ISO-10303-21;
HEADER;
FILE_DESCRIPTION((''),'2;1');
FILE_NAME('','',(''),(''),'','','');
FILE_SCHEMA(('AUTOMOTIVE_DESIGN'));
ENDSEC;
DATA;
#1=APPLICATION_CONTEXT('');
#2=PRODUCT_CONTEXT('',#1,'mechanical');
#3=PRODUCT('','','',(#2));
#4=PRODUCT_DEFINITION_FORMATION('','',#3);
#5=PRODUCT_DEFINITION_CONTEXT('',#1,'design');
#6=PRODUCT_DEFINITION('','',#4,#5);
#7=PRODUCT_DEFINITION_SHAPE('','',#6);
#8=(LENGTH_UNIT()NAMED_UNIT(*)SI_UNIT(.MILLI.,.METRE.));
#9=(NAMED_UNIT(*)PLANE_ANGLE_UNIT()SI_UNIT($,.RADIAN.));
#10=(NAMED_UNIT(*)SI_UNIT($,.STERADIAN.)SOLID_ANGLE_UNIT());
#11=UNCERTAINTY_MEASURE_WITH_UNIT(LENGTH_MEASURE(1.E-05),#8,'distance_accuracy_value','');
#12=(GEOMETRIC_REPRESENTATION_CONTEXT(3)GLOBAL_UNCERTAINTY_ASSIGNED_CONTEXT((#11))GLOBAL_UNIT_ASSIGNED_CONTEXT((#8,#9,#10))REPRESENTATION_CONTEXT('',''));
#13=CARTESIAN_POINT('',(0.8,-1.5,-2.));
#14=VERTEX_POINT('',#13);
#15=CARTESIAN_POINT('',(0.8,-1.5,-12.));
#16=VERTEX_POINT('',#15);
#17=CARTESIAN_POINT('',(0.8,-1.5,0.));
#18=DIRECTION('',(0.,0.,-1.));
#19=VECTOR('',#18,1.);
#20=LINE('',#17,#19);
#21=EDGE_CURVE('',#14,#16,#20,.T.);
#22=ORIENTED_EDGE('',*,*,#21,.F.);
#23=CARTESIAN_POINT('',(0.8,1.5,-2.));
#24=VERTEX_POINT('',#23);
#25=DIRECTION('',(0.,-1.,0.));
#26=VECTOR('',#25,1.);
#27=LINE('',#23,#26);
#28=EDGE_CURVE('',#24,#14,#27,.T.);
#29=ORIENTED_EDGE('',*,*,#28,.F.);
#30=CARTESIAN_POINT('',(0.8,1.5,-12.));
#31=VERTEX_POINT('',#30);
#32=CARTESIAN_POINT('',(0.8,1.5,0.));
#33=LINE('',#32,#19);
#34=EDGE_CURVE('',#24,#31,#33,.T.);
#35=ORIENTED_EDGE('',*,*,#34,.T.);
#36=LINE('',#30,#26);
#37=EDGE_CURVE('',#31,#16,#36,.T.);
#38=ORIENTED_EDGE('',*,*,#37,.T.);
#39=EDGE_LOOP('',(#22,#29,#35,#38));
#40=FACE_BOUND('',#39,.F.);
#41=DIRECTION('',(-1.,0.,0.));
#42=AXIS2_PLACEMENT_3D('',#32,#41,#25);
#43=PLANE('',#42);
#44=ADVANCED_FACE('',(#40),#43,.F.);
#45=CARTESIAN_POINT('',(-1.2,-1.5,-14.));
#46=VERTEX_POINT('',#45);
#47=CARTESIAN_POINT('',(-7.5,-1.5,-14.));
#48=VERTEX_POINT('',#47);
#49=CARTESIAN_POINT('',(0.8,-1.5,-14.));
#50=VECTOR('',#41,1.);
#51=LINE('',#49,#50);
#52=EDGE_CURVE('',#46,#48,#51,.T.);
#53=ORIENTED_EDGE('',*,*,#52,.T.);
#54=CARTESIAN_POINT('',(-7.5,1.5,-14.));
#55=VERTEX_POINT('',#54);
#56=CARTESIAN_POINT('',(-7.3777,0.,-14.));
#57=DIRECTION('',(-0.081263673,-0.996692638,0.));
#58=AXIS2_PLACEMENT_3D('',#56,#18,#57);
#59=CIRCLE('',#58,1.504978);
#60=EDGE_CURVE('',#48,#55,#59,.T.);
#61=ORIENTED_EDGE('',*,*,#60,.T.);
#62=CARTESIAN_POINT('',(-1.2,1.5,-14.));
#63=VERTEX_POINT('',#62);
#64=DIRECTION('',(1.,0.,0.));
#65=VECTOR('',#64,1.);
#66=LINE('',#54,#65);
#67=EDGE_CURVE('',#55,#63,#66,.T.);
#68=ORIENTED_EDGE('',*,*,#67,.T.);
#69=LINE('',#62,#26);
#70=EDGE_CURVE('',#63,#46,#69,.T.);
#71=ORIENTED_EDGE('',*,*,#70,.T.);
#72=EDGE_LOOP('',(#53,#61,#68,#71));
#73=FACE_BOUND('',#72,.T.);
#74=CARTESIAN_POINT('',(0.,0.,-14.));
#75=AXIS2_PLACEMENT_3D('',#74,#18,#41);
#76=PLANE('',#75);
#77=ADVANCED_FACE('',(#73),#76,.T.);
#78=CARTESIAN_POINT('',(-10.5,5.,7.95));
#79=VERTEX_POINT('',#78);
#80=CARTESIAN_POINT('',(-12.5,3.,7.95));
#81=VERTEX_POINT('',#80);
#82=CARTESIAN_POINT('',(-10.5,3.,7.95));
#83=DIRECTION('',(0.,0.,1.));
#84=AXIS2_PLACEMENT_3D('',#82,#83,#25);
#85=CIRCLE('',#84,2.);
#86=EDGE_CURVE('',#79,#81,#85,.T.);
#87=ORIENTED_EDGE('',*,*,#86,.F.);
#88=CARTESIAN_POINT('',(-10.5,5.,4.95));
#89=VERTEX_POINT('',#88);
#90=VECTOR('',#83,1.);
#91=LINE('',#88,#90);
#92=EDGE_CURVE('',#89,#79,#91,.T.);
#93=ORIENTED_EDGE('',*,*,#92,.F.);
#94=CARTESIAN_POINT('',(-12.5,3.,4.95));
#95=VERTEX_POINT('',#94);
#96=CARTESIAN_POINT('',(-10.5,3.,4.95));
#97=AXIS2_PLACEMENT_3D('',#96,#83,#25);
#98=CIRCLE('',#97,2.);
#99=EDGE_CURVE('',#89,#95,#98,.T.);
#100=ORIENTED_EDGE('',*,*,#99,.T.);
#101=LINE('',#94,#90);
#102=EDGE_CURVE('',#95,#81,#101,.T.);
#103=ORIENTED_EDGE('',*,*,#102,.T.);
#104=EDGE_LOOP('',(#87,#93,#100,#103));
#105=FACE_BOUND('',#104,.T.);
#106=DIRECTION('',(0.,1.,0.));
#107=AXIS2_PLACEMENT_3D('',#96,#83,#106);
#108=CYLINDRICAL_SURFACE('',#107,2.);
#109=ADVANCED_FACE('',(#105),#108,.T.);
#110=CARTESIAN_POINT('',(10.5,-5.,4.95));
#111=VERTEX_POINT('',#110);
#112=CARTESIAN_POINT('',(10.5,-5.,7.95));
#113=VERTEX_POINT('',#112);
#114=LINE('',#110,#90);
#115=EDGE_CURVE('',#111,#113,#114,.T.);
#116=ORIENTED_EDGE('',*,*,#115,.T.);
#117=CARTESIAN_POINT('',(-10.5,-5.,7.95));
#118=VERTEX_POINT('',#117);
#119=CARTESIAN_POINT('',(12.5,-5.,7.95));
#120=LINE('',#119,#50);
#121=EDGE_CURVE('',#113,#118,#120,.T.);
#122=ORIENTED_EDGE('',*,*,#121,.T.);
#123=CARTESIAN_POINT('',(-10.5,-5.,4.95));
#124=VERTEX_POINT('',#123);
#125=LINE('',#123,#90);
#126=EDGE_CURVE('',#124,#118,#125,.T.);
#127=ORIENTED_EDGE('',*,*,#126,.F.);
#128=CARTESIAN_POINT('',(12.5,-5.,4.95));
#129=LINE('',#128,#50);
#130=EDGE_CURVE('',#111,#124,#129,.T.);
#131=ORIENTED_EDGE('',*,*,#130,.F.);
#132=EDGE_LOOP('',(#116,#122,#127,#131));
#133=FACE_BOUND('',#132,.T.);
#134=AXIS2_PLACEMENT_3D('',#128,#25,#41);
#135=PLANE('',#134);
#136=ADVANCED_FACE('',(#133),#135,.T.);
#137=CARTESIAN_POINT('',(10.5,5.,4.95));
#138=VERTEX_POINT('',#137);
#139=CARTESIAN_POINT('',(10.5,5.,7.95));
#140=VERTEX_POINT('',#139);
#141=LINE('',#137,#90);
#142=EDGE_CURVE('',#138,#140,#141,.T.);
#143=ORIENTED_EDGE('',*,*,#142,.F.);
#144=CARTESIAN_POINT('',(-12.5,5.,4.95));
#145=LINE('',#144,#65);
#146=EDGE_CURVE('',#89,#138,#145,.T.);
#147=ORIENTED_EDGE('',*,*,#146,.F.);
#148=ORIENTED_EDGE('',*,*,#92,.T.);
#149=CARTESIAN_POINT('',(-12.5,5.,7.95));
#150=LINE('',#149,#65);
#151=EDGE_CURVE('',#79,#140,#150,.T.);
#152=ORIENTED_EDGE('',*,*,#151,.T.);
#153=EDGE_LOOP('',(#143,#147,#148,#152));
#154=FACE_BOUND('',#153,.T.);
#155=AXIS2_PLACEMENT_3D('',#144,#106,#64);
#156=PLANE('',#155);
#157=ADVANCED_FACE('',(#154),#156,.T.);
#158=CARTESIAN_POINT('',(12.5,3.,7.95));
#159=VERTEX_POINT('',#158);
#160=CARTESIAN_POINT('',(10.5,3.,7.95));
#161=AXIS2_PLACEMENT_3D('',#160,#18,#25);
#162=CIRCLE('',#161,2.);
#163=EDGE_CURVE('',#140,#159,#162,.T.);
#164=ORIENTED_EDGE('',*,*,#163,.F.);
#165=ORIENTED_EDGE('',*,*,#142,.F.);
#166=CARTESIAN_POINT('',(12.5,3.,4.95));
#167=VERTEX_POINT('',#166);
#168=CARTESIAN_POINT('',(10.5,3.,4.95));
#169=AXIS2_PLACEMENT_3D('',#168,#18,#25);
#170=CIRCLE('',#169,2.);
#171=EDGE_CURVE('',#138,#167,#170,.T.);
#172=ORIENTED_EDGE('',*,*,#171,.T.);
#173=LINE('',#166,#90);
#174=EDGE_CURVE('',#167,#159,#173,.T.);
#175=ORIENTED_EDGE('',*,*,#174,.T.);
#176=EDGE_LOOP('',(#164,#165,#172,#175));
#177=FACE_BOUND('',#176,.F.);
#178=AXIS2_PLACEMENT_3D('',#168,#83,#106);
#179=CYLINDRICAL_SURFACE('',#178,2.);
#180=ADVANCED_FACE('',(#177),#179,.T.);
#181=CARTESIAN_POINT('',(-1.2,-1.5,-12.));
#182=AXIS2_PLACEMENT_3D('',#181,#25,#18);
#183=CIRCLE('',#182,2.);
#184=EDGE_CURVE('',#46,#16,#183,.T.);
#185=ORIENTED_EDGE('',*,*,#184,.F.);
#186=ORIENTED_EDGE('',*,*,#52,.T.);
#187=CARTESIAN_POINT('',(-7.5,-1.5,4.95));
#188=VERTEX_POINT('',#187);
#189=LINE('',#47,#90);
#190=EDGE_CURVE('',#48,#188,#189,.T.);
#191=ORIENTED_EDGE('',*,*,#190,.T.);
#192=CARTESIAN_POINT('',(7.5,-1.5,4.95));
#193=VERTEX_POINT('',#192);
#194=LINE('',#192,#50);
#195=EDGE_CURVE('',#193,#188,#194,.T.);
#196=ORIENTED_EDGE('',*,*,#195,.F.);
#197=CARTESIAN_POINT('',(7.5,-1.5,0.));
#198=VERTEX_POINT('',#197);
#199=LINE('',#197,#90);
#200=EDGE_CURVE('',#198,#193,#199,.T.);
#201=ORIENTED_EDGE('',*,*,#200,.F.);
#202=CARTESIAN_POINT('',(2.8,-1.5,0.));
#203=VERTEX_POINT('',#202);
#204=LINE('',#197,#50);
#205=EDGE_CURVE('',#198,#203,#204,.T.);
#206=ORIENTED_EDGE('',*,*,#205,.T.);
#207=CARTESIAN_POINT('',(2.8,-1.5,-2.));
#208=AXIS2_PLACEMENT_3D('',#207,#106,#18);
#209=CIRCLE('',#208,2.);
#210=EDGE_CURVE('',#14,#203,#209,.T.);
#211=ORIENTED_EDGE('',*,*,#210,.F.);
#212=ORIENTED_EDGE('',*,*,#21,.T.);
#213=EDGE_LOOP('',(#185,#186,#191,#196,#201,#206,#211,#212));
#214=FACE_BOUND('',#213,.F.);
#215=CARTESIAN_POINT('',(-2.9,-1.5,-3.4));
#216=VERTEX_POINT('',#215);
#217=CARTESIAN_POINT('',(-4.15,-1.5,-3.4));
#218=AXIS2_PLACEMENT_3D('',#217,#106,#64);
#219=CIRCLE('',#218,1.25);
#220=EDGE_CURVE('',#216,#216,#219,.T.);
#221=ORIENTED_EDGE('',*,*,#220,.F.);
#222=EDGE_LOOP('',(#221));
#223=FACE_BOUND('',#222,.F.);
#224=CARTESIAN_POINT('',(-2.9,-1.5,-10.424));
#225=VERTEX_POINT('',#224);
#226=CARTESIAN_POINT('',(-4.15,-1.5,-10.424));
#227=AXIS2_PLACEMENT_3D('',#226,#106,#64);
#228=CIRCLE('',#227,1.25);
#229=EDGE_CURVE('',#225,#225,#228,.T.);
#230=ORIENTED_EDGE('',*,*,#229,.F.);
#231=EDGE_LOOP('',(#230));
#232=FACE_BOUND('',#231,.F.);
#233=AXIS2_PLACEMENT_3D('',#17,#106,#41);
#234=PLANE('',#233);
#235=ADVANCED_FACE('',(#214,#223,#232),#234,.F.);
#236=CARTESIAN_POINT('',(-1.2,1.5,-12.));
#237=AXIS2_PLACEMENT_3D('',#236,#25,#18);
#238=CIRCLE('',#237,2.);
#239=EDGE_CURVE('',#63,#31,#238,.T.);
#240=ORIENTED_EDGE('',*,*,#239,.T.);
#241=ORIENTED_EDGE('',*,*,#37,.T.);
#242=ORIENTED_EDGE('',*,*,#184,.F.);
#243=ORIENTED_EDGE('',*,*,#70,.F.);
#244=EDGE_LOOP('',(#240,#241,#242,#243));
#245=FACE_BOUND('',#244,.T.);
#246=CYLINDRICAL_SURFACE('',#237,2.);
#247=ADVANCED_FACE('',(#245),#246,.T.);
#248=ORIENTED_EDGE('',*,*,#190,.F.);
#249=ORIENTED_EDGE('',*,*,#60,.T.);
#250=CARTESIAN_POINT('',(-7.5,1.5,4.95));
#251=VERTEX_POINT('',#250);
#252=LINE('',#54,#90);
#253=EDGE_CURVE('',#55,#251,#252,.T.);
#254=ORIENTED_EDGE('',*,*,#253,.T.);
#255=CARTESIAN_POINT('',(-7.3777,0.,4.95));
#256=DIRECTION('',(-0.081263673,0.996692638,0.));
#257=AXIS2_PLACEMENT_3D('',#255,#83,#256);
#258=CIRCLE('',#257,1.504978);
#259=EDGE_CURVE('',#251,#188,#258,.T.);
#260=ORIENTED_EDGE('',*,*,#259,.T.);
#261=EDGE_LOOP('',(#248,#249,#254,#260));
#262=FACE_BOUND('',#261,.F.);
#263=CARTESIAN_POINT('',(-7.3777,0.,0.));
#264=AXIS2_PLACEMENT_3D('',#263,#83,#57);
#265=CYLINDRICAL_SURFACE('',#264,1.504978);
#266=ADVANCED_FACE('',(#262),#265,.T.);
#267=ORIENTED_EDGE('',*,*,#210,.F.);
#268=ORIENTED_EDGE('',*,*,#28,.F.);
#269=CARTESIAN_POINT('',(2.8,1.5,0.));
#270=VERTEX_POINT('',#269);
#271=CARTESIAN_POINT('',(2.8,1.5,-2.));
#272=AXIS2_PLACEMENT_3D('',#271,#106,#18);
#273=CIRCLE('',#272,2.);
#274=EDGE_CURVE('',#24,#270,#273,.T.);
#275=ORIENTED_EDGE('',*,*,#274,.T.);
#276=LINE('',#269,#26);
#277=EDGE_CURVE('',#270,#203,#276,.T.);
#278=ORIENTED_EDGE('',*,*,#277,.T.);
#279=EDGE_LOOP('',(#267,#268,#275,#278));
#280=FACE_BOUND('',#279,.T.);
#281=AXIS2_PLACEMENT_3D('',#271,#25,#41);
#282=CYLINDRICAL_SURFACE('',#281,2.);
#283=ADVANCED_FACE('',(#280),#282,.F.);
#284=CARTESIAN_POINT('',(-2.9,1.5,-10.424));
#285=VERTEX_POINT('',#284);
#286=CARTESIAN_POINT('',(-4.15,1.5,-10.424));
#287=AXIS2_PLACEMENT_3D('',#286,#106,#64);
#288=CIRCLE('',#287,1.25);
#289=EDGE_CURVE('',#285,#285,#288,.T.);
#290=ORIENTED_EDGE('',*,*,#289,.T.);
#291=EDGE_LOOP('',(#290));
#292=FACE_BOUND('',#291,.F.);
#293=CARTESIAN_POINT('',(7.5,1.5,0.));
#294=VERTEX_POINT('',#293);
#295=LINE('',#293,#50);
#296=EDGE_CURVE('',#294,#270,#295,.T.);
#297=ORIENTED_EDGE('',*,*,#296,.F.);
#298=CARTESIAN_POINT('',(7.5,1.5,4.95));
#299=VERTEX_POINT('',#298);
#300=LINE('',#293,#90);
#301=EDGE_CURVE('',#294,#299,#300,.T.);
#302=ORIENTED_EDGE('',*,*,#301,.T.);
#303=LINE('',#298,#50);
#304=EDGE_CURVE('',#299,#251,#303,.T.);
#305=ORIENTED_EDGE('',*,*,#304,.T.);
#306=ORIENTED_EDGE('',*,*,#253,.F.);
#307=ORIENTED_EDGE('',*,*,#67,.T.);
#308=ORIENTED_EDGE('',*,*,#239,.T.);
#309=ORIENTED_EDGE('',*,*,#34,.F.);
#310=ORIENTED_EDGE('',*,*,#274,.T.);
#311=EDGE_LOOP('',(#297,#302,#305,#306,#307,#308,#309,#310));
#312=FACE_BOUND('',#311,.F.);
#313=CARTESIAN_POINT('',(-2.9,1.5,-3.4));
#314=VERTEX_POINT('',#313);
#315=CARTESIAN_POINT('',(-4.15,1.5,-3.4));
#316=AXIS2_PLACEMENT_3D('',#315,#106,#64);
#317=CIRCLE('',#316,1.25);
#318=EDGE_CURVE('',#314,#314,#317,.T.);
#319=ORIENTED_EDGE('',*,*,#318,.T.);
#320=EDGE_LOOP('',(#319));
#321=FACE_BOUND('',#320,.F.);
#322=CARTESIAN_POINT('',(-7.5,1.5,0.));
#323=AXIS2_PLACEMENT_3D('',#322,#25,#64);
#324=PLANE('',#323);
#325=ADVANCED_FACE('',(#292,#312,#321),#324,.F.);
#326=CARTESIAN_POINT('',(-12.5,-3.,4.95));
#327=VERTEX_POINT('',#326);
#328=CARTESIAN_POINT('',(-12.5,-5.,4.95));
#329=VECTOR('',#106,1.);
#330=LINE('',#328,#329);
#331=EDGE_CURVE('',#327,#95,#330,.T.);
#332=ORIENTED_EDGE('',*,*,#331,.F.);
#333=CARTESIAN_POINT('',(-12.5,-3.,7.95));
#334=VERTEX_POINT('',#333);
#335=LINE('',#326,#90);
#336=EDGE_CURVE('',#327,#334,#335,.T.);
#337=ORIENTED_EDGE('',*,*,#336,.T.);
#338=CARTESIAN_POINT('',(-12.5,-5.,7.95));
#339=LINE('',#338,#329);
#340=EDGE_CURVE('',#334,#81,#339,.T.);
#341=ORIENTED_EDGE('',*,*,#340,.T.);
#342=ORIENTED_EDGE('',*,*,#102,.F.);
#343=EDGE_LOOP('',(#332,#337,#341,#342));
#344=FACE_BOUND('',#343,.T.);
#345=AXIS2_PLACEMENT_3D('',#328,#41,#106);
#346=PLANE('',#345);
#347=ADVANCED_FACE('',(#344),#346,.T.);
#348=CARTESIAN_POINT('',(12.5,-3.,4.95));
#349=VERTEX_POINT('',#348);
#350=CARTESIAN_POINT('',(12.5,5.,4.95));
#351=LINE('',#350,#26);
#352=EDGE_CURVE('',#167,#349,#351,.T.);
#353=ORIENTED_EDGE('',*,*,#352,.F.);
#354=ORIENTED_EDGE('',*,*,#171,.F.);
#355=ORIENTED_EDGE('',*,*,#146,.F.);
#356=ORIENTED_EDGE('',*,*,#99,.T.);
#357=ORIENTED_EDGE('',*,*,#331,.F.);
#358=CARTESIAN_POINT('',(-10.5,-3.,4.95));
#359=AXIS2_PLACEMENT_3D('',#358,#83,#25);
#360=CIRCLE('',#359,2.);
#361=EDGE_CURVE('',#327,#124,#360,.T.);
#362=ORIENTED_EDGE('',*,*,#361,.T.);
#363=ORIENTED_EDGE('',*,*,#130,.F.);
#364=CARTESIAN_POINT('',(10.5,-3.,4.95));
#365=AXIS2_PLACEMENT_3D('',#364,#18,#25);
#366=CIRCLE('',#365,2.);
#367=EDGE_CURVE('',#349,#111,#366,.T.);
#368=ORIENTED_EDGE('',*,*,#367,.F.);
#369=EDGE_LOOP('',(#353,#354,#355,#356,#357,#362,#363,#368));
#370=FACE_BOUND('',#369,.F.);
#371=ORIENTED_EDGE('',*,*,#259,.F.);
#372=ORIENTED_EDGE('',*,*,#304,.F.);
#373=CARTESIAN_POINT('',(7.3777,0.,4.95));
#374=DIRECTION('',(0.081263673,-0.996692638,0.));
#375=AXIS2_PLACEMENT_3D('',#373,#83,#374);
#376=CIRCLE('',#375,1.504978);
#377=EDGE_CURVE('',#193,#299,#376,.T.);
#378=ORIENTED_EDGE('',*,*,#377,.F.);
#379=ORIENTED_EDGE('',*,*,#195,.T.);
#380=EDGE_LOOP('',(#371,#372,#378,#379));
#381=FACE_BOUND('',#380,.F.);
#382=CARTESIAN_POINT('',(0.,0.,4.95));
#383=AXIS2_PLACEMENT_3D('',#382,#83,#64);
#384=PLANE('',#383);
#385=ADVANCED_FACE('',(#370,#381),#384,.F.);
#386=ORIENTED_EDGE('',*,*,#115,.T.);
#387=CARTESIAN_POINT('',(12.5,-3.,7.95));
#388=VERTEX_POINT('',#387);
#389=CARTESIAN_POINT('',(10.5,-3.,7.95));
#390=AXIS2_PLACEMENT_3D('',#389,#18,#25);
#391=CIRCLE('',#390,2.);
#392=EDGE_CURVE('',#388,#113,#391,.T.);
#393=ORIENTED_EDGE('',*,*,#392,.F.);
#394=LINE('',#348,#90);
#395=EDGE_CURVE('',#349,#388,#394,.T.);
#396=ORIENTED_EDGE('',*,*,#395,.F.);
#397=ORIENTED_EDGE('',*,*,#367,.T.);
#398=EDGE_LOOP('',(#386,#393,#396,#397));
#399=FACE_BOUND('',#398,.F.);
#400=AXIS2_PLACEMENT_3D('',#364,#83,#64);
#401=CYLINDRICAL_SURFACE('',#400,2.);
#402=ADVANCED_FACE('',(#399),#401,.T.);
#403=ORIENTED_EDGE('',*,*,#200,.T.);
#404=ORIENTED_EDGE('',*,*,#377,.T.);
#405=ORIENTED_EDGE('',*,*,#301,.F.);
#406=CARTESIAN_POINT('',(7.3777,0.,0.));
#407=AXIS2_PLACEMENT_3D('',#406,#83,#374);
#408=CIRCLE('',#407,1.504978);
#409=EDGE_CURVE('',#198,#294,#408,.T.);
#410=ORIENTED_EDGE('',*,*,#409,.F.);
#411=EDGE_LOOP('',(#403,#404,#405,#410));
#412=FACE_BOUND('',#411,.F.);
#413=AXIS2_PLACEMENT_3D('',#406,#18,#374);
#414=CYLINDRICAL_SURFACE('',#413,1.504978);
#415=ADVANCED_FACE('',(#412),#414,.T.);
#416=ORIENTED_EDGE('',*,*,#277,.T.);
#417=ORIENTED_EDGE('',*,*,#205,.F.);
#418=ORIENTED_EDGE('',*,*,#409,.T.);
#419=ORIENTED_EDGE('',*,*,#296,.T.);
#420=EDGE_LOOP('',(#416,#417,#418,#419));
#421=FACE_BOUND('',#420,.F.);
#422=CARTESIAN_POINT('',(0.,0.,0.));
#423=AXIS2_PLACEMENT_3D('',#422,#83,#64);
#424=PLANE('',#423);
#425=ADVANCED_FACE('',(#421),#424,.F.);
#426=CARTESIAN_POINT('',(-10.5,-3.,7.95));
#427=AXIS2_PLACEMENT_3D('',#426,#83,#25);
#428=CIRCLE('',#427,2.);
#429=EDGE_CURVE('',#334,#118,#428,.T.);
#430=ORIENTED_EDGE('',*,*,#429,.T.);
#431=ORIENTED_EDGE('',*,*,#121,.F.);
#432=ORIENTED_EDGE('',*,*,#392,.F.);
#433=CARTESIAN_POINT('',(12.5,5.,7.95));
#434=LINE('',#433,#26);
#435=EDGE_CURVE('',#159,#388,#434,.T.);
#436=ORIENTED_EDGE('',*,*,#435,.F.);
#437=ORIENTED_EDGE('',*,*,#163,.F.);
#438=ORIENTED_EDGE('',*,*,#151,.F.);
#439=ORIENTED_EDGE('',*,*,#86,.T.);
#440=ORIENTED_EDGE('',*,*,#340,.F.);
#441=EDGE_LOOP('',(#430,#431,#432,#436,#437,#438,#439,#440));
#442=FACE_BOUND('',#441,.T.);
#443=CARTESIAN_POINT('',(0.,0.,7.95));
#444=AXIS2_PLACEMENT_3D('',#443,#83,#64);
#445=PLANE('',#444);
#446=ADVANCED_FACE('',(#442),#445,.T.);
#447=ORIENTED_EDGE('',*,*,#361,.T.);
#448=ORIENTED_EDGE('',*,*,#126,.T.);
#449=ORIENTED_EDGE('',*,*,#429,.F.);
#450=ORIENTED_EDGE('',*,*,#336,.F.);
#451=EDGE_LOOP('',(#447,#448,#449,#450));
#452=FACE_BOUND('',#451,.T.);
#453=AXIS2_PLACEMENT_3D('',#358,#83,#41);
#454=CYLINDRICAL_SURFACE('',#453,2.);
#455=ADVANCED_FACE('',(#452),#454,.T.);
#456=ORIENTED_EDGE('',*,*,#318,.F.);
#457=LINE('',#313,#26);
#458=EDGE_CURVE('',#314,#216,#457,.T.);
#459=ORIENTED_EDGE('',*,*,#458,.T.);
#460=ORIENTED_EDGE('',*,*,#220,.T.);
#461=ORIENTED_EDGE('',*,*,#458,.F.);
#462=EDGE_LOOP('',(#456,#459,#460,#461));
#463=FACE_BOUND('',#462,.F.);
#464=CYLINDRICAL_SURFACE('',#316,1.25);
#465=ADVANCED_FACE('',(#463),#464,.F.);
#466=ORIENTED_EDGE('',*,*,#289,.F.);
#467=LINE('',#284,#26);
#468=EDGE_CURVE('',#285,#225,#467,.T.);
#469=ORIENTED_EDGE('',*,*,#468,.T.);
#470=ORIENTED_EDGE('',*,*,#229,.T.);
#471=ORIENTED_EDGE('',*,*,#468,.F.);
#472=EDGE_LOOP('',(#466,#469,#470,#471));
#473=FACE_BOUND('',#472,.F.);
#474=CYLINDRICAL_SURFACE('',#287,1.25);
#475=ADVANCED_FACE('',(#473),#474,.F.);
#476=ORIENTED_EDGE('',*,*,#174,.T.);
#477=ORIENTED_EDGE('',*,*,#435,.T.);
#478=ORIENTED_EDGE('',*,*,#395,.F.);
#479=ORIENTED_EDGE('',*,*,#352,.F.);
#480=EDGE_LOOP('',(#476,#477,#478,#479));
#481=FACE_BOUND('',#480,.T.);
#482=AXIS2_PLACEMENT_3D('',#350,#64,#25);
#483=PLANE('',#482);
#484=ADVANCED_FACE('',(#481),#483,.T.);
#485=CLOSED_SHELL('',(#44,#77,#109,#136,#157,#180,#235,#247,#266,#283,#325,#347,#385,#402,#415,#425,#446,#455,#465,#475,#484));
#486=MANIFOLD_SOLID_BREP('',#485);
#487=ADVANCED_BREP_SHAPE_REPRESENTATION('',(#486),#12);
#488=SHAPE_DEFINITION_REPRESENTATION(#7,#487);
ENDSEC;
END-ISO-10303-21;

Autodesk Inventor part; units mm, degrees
ref_plane "YZ Plane" through (0, 0, 0) normal (1, 0, 0) x (0, 1, 0)
ref_plane "XZ Plane" through (0, 0, 0) normal (0, 1, 0) x (-1, 0, 0)
ref_plane "XY Plane" through (0, 0, 0) normal (0, 0, 1) x (1, 0, 0)
sketch "Sketch1" plane through (0, 0, 0) normal (0, 0, 1) x (1, 0, 0)
  line L0 (7.5, -1.5) -> (-7.5, -1.5)
  arc A0 (7.5, -1.5) -> (7.5, 1.5) centre (7.3777, 0) ccw
  line L1 (0, -2.1) -> (0, 2.1) construction
  arc A1 (-7.5, 1.5) -> (-7.5, -1.5) centre (-7.3777, 0) ccw
  line L2 (-12.4357, 0) -> (12.4357, 0) construction
  line L3 (7.5, 1.5) -> (-7.5, 1.5)
  point P0 (0, 0)
  point P1 (0, 1.5)
  dimension "d0" = 15
  dimension "d1" = 3
extrude "Extrusion1" add sketch "Sketch1" along normal blind 4.95
sketch "Sketch2" plane through (0, 0, 4.95) normal (0, 0, 1) x (1, 0, 0)
  line L0 (-12.5, 5) -> (12.5, 5)
  line L1 (12.5, 5) -> (12.5, -5)
  line L2 (12.5, -5) -> (-12.5, -5)
  line L3 (-12.5, -5) -> (-12.5, 5)
  point P0 (0, 0)
  point P1 (0, 5)
  point P2 (12.5, 0)
  dimension "d4" = 25
  dimension "d5" = 10
extrude "Extrusion2" add sketch "Sketch2" along normal blind 3
sketch "Sketch3" plane through (0, 0, 0) normal (0, 0, -1) x (-1, 0, 0)
  line L0 (-0.8, 1.5) -> (-0.8, -1.5)
  line L1 (-0.8, -1.5) -> (7.5, -1.5)
  arc A0 (7.5, -1.5) -> (7.5, 1.5) centre (7.3777, 0) ccw projected
  line L2 (7.5, 1.5) -> (-0.8, 1.5)
  line L3 (7.5, 1.5) -> (-7.5, 1.5) projected
  point P0 (0, 0)
extrude "Extrusion3" add sketch "Sketch3" along normal blind 14
sketch "Sketch5" plane through (-7.5, 1.5, 4.95) normal (0, 1, 0) x (1, 0, 0)
  circle A0 centre (3.35, 8.35) radius 1.25
  circle A1 centre (3.35, 15.374) radius 1.25
  line L0 (-5, 0) -> (-5, -3) projected
  line L1 (-5, 0) -> (20, 0) projected
  point P0 (7.5, 4.95)
  dimension "d18" = 2.5
  dimension "d19" = 8.35
  dimension "d20" = 8.35
  dimension "d21" = 7.024
extrude "Extrusion5" cut sketch "Sketch5" against normal through all
fillet "Fillet1" radius 2 6 edges at (0.8, 0, 0) (0.8, 0, -14) (-12.5, 5, 6.45) (-12.5, -5, 6.45) (12.5, -5, 6.45) (12.5, 5, 6.45)
properties part number "StartSupport"
